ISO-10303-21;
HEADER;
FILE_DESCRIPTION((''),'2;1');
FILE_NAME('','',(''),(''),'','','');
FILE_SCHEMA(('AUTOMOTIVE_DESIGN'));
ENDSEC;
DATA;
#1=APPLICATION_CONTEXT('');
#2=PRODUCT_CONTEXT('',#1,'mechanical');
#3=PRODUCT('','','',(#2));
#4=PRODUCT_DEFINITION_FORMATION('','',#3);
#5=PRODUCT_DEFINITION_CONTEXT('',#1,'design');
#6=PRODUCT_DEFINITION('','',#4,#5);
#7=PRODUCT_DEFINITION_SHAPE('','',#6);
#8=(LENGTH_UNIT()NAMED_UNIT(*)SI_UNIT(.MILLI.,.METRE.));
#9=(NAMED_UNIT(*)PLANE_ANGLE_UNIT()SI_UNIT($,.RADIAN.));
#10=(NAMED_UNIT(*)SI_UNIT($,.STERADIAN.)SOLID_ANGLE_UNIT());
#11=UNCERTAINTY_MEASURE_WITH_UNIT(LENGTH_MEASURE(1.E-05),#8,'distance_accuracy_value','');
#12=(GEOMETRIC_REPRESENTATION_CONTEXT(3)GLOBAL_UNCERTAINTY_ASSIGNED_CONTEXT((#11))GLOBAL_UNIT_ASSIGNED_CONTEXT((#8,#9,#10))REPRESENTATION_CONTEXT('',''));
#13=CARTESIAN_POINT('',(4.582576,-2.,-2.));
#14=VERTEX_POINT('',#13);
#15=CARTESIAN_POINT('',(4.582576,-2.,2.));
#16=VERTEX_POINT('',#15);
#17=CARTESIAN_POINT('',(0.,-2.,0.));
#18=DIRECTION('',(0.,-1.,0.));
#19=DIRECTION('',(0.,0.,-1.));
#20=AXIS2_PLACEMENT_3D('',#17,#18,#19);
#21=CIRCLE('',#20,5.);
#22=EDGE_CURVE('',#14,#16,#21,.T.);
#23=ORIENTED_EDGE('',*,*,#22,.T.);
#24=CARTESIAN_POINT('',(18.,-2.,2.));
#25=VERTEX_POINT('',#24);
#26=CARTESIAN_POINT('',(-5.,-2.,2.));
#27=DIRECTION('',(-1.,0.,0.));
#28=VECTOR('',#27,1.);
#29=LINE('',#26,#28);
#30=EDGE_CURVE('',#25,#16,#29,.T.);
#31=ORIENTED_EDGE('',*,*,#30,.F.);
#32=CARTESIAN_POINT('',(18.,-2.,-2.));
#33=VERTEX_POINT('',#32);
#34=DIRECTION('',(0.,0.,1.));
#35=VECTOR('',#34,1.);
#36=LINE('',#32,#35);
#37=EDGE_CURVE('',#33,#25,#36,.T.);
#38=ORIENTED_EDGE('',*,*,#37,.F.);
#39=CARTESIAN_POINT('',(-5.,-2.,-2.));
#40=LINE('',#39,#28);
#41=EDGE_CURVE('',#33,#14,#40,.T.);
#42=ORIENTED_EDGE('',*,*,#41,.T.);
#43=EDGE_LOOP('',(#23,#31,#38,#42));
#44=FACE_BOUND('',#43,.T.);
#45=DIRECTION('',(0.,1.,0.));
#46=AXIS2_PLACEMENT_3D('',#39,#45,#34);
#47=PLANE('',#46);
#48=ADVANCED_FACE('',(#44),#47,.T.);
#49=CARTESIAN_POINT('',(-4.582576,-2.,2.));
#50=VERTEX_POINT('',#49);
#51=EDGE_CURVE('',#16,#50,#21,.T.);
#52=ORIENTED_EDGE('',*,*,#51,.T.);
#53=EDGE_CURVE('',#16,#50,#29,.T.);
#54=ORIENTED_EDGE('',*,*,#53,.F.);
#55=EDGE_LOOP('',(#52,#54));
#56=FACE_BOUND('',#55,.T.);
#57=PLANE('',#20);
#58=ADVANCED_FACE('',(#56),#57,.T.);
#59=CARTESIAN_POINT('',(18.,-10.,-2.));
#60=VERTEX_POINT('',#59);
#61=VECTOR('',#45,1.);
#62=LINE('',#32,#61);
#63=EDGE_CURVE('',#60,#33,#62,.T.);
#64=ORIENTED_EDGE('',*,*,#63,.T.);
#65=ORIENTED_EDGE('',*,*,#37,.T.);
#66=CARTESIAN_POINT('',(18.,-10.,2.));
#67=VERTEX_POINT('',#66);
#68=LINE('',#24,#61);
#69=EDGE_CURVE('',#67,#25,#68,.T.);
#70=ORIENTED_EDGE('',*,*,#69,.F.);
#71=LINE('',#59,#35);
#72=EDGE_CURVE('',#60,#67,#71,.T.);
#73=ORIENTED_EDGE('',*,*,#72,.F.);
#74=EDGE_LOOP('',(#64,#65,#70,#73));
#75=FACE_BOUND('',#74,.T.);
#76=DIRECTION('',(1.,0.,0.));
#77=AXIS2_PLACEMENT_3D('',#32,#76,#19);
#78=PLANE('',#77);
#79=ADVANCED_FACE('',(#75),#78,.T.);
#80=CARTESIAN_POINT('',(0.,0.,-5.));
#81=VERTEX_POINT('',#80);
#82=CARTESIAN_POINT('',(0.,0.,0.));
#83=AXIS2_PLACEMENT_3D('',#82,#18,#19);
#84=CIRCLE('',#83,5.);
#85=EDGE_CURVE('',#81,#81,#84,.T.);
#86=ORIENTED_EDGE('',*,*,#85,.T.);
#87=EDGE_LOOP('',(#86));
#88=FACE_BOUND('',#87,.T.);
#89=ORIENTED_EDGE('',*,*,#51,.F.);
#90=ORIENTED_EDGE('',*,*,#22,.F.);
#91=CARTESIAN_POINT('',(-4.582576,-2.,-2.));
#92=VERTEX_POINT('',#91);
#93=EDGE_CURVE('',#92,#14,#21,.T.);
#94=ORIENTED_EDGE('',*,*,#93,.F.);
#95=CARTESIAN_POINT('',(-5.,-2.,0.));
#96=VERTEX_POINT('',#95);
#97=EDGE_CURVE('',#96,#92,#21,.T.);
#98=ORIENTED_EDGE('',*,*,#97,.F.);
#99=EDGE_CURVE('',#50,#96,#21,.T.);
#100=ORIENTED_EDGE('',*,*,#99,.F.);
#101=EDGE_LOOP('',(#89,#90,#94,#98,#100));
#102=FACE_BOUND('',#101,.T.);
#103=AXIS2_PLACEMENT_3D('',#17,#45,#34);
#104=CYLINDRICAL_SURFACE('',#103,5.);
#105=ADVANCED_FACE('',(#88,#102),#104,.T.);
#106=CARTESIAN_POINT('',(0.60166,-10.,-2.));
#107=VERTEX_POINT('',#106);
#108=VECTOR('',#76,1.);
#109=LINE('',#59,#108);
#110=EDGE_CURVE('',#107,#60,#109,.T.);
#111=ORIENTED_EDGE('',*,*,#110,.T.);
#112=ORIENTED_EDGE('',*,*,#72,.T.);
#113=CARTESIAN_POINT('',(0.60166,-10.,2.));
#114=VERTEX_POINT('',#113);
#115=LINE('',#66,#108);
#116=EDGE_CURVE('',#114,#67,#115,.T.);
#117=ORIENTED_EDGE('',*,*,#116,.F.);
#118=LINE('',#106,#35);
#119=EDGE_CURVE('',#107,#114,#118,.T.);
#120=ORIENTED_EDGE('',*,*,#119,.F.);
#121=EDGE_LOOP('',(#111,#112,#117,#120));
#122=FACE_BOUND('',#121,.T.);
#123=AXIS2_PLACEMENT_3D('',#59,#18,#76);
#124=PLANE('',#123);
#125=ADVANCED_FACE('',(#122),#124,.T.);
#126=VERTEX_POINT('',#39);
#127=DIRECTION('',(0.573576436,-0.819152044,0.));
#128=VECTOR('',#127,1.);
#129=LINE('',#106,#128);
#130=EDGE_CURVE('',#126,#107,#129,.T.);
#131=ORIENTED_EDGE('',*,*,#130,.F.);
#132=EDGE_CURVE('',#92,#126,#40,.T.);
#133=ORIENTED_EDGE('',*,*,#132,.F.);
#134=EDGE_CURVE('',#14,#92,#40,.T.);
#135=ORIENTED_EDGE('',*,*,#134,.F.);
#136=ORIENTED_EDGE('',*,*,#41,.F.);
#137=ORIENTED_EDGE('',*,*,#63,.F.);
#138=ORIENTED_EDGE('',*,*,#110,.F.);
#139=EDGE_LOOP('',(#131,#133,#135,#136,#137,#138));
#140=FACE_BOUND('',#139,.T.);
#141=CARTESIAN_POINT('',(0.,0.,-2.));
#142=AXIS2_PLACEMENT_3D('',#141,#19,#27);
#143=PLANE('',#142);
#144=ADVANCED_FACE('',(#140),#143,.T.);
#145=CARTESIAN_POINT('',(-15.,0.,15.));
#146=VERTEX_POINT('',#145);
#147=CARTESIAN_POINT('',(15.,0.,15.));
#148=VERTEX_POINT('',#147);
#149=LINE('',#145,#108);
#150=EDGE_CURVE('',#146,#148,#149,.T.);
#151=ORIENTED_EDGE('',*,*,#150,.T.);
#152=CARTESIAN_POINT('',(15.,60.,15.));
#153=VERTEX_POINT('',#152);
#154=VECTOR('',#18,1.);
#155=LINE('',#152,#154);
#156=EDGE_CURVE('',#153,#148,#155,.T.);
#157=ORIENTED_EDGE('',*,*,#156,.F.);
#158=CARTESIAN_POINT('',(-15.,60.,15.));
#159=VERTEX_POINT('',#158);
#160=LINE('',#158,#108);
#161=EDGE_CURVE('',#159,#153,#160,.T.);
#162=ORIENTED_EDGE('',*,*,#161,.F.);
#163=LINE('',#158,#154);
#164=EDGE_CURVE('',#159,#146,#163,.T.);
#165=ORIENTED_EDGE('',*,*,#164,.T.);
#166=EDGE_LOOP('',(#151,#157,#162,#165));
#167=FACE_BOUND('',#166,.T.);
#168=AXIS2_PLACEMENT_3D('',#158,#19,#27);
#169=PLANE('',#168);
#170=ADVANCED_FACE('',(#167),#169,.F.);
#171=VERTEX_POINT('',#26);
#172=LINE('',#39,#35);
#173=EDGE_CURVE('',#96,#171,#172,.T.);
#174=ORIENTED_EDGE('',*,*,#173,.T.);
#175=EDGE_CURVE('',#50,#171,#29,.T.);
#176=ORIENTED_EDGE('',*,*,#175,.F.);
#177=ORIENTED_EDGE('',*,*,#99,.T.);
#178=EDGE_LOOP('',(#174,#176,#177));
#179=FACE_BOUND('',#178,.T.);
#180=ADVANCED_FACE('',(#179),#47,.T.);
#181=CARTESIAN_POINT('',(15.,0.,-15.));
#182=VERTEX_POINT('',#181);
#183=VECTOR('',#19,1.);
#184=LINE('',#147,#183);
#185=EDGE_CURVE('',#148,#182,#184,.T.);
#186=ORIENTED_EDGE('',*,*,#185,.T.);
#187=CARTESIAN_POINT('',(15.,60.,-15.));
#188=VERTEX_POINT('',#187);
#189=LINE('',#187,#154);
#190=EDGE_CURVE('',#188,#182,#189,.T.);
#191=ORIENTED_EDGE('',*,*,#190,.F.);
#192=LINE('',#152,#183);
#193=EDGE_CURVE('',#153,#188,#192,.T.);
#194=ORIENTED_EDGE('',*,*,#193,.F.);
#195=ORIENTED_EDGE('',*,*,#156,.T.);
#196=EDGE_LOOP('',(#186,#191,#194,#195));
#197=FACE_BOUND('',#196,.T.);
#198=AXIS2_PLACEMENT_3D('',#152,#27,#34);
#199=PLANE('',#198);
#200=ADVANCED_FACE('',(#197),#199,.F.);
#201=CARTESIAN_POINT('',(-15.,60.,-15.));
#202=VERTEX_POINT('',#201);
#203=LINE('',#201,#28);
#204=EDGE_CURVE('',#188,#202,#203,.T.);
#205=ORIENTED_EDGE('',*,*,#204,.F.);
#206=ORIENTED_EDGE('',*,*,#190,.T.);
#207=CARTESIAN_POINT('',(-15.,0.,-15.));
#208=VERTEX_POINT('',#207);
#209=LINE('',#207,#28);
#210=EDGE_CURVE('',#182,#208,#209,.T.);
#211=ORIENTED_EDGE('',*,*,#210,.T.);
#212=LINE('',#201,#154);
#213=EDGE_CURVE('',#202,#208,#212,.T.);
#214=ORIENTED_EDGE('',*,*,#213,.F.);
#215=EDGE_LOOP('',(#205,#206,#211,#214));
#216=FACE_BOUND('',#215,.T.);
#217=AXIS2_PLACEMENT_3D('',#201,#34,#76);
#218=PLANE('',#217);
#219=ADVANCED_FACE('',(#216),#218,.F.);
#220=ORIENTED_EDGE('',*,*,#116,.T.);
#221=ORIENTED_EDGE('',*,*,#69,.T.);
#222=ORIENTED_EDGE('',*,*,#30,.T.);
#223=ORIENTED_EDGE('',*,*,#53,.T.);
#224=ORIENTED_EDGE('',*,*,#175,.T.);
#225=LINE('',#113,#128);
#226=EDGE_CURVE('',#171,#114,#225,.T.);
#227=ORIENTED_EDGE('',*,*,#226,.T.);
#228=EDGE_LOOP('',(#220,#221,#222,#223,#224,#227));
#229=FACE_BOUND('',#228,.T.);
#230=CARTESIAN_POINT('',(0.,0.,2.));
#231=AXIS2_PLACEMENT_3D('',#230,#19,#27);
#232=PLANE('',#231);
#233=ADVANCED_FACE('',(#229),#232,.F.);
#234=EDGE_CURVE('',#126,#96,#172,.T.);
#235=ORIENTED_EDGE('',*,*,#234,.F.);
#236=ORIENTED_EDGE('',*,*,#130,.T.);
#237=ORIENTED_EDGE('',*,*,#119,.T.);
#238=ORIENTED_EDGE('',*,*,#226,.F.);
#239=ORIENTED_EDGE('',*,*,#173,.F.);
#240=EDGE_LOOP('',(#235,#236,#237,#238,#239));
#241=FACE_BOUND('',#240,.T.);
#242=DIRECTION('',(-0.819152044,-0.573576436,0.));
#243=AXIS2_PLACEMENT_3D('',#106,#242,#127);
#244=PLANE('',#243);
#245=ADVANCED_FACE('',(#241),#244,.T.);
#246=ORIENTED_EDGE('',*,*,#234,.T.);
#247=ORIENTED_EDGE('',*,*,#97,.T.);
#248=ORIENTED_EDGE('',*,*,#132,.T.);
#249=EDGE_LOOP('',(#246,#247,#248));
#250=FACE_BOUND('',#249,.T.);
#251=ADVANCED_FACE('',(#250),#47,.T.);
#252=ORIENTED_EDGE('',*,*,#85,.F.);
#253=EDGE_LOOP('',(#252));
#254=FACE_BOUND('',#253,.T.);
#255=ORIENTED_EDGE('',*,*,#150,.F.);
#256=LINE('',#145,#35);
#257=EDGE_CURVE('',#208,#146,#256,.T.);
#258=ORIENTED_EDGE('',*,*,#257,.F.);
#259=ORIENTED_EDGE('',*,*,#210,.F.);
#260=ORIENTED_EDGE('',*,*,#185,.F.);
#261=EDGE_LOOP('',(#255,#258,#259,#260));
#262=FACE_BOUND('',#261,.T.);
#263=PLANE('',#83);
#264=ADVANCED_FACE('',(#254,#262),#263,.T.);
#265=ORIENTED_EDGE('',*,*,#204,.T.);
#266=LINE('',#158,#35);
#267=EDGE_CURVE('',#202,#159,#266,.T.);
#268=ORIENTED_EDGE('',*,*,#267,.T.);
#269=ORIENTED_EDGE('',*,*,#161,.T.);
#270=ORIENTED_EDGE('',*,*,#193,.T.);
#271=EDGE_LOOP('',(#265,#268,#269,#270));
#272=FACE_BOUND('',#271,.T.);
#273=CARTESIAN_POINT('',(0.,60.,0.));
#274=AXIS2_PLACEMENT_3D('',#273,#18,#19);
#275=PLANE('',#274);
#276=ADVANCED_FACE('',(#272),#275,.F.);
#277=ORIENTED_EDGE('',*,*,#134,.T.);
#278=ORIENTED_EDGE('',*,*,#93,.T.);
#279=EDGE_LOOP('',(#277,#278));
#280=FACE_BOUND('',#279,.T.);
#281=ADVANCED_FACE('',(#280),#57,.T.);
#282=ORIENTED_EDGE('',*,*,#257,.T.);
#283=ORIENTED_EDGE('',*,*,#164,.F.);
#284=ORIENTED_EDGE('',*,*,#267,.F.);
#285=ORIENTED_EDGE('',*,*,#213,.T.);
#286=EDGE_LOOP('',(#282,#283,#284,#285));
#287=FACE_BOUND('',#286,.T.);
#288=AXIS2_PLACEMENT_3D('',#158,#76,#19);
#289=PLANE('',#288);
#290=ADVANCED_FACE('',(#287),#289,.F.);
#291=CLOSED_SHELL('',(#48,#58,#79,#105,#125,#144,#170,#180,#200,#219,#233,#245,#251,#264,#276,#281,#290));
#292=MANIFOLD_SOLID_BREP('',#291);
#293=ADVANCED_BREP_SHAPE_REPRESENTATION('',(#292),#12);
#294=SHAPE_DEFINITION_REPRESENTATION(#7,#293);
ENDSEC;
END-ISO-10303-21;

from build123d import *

# Parameters (mm, degrees)
SKETCH1_W                = 30
SKETCH1_H                = 30
BOSS_EXTRUDE1_DEPTH      = 60
SKETCH2_R                = 5
BOSS_EXTRUDE2_DEPTH      = 2
BOSS_EXTRUDE3_DEPTH      = 2
BOSS_EXTRUDE3_DEPTH_BACK = 2


with BuildPart() as part:
    # Sketch1 → Boss-Extrude1 (new body)
    with BuildSketch(Plane(origin=(0, 0, 0), x_dir=(1, 0, 0), z_dir=(0, 1, 0))):
        Rectangle(SKETCH1_W, SKETCH1_H)
    extrude(amount=BOSS_EXTRUDE1_DEPTH)

    # Sketch2 → Boss-Extrude2 (add)
    with BuildSketch(Plane.XZ):
        Circle(SKETCH2_R)
    extrude(amount=BOSS_EXTRUDE2_DEPTH)

    # Sketch4 → Boss-Extrude3 (add, two sides)
    with BuildSketch(Plane.XY) as boss_extrude3_sk:
        Polygon((-5, -2), (18, -2), (18, -10), (0.601660306, -10), align=None)
    extrude(amount=BOSS_EXTRUDE3_DEPTH)
    extrude(boss_extrude3_sk.sketch, amount=-BOSS_EXTRUDE3_DEPTH_BACK)


solid = part.part
